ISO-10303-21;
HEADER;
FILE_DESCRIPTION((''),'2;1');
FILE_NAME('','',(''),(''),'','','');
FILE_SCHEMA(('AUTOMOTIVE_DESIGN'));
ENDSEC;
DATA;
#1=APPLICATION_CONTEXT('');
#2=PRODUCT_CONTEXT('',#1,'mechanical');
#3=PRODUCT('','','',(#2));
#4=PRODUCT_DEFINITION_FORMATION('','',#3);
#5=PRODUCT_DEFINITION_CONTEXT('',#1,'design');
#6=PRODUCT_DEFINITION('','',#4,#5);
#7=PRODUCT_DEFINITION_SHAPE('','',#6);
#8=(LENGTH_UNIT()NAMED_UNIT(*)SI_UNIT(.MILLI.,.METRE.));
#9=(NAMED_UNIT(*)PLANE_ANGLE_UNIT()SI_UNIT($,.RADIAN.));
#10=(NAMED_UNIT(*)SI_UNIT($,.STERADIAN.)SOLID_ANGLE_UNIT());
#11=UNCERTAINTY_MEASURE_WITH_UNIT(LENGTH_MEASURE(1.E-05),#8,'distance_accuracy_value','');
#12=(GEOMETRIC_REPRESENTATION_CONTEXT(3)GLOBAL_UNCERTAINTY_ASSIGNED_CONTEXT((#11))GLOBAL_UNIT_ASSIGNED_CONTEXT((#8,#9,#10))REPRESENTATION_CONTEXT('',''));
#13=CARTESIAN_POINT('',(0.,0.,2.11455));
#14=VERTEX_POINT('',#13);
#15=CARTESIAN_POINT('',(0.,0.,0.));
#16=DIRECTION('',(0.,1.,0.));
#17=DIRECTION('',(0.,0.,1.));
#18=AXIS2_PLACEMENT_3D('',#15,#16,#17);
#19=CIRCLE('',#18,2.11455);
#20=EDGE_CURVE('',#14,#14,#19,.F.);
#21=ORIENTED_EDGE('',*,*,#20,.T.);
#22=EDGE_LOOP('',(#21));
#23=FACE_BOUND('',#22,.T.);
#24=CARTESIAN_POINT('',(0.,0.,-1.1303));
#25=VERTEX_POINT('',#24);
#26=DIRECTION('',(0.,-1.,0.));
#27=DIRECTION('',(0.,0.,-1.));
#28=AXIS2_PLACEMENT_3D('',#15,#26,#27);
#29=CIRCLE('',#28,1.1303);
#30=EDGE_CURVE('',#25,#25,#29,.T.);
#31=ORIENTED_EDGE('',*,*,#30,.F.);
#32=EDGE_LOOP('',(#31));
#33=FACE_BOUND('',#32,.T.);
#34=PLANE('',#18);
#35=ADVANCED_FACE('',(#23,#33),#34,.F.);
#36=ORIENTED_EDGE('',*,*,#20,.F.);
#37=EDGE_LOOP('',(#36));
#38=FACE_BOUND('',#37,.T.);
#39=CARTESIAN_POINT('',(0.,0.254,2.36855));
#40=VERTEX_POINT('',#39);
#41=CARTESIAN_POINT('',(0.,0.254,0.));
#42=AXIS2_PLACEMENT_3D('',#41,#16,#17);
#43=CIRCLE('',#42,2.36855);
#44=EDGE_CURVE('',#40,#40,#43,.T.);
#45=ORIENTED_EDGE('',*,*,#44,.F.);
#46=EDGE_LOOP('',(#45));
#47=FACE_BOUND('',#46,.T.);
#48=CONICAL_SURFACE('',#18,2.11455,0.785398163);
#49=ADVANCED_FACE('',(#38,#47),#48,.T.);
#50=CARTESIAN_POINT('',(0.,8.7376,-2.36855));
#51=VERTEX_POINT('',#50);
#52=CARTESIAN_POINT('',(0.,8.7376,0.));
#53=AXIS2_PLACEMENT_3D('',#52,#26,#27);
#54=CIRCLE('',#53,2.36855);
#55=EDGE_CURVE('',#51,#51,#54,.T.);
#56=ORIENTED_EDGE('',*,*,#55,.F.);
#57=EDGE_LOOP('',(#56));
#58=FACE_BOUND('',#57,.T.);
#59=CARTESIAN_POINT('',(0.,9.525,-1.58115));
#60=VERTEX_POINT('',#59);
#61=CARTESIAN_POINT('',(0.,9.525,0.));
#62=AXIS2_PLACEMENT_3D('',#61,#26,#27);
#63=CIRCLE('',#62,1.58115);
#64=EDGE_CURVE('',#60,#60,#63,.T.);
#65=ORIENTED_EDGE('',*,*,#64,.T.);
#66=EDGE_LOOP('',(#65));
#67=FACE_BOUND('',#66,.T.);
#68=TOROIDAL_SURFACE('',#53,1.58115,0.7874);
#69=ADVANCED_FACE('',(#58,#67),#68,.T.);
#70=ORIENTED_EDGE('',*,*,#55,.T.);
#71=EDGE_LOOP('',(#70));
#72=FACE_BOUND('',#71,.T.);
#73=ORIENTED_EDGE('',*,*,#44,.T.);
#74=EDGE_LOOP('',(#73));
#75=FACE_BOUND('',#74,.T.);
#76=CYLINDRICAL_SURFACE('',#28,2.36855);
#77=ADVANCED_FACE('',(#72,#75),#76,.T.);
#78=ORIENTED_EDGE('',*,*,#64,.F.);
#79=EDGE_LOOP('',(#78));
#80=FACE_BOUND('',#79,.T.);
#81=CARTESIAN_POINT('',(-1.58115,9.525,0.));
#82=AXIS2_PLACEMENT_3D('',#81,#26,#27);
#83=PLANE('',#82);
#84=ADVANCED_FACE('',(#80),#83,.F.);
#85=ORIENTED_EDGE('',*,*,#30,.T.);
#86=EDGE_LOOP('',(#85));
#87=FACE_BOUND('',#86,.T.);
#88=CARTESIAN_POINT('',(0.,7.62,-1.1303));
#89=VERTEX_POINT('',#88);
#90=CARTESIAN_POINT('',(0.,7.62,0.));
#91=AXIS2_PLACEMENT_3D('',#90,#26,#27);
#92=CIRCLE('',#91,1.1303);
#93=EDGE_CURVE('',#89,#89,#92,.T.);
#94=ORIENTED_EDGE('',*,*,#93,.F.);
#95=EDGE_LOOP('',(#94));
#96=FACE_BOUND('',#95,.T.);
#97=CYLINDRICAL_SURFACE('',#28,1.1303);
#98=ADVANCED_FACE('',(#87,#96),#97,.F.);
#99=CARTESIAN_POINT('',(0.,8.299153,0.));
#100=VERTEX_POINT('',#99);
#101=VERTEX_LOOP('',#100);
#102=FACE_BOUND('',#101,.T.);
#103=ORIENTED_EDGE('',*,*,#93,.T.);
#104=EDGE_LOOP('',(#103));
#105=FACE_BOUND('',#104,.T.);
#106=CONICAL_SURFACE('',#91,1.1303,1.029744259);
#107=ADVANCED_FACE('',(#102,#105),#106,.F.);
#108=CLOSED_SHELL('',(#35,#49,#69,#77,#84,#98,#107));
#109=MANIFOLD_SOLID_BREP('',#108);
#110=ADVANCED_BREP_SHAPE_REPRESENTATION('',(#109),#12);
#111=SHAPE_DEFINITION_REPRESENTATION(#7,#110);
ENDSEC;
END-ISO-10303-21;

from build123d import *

# Parameters (mm, degrees)
CHAMFER1_SIZE             = 0.254
F_4_40_TAPPED_HOLE1_D     = 2.2606
F_4_40_TAPPED_HOLE1_DEPTH = 7.62
F_4_40_TAPPED_HOLE1_TIP   = 0.679152758


with BuildPart() as part:
    # Sketch1 → Revolve1 (revolve)
    with BuildSketch(Plane.XY):
        with BuildLine():
            Line((0, 0), (-2.36855, 0))
            Line((-2.36855, 0), (-2.36855, 8.7376))
            ThreePointArc((-2.36855, 8.7376), (-2.13792588, 9.29437588), (-1.58115, 9.525))
            Line((-1.58115, 9.525), (0, 9.525))
            Line((0, 9.525), (0, 0))
        make_face()
    revolve(axis=Axis((0, 0, 0), (0, 1, 0)))

    # Chamfer1
    chamfer1_edges = [part.edges().sort_by_distance(p)[0] for p in [
        (2.36855, 0, 0),
    ]]
    chamfer(chamfer1_edges, length=CHAMFER1_SIZE)

    # #4-40 Tapped Hole1
    with Locations(Plane(origin=(0, 0, 0), x_dir=(-1, 0, 0), z_dir=(0, -1, 0))):
        with Locations((0, 0)):
            Hole(F_4_40_TAPPED_HOLE1_D / 2, depth=F_4_40_TAPPED_HOLE1_DEPTH)
            with Locations((0, 0, -(F_4_40_TAPPED_HOLE1_DEPTH + F_4_40_TAPPED_HOLE1_TIP / 2))):  # 118° drill point
                Cone(0, F_4_40_TAPPED_HOLE1_D / 2, F_4_40_TAPPED_HOLE1_TIP, mode=Mode.SUBTRACT)


solid = part.part
